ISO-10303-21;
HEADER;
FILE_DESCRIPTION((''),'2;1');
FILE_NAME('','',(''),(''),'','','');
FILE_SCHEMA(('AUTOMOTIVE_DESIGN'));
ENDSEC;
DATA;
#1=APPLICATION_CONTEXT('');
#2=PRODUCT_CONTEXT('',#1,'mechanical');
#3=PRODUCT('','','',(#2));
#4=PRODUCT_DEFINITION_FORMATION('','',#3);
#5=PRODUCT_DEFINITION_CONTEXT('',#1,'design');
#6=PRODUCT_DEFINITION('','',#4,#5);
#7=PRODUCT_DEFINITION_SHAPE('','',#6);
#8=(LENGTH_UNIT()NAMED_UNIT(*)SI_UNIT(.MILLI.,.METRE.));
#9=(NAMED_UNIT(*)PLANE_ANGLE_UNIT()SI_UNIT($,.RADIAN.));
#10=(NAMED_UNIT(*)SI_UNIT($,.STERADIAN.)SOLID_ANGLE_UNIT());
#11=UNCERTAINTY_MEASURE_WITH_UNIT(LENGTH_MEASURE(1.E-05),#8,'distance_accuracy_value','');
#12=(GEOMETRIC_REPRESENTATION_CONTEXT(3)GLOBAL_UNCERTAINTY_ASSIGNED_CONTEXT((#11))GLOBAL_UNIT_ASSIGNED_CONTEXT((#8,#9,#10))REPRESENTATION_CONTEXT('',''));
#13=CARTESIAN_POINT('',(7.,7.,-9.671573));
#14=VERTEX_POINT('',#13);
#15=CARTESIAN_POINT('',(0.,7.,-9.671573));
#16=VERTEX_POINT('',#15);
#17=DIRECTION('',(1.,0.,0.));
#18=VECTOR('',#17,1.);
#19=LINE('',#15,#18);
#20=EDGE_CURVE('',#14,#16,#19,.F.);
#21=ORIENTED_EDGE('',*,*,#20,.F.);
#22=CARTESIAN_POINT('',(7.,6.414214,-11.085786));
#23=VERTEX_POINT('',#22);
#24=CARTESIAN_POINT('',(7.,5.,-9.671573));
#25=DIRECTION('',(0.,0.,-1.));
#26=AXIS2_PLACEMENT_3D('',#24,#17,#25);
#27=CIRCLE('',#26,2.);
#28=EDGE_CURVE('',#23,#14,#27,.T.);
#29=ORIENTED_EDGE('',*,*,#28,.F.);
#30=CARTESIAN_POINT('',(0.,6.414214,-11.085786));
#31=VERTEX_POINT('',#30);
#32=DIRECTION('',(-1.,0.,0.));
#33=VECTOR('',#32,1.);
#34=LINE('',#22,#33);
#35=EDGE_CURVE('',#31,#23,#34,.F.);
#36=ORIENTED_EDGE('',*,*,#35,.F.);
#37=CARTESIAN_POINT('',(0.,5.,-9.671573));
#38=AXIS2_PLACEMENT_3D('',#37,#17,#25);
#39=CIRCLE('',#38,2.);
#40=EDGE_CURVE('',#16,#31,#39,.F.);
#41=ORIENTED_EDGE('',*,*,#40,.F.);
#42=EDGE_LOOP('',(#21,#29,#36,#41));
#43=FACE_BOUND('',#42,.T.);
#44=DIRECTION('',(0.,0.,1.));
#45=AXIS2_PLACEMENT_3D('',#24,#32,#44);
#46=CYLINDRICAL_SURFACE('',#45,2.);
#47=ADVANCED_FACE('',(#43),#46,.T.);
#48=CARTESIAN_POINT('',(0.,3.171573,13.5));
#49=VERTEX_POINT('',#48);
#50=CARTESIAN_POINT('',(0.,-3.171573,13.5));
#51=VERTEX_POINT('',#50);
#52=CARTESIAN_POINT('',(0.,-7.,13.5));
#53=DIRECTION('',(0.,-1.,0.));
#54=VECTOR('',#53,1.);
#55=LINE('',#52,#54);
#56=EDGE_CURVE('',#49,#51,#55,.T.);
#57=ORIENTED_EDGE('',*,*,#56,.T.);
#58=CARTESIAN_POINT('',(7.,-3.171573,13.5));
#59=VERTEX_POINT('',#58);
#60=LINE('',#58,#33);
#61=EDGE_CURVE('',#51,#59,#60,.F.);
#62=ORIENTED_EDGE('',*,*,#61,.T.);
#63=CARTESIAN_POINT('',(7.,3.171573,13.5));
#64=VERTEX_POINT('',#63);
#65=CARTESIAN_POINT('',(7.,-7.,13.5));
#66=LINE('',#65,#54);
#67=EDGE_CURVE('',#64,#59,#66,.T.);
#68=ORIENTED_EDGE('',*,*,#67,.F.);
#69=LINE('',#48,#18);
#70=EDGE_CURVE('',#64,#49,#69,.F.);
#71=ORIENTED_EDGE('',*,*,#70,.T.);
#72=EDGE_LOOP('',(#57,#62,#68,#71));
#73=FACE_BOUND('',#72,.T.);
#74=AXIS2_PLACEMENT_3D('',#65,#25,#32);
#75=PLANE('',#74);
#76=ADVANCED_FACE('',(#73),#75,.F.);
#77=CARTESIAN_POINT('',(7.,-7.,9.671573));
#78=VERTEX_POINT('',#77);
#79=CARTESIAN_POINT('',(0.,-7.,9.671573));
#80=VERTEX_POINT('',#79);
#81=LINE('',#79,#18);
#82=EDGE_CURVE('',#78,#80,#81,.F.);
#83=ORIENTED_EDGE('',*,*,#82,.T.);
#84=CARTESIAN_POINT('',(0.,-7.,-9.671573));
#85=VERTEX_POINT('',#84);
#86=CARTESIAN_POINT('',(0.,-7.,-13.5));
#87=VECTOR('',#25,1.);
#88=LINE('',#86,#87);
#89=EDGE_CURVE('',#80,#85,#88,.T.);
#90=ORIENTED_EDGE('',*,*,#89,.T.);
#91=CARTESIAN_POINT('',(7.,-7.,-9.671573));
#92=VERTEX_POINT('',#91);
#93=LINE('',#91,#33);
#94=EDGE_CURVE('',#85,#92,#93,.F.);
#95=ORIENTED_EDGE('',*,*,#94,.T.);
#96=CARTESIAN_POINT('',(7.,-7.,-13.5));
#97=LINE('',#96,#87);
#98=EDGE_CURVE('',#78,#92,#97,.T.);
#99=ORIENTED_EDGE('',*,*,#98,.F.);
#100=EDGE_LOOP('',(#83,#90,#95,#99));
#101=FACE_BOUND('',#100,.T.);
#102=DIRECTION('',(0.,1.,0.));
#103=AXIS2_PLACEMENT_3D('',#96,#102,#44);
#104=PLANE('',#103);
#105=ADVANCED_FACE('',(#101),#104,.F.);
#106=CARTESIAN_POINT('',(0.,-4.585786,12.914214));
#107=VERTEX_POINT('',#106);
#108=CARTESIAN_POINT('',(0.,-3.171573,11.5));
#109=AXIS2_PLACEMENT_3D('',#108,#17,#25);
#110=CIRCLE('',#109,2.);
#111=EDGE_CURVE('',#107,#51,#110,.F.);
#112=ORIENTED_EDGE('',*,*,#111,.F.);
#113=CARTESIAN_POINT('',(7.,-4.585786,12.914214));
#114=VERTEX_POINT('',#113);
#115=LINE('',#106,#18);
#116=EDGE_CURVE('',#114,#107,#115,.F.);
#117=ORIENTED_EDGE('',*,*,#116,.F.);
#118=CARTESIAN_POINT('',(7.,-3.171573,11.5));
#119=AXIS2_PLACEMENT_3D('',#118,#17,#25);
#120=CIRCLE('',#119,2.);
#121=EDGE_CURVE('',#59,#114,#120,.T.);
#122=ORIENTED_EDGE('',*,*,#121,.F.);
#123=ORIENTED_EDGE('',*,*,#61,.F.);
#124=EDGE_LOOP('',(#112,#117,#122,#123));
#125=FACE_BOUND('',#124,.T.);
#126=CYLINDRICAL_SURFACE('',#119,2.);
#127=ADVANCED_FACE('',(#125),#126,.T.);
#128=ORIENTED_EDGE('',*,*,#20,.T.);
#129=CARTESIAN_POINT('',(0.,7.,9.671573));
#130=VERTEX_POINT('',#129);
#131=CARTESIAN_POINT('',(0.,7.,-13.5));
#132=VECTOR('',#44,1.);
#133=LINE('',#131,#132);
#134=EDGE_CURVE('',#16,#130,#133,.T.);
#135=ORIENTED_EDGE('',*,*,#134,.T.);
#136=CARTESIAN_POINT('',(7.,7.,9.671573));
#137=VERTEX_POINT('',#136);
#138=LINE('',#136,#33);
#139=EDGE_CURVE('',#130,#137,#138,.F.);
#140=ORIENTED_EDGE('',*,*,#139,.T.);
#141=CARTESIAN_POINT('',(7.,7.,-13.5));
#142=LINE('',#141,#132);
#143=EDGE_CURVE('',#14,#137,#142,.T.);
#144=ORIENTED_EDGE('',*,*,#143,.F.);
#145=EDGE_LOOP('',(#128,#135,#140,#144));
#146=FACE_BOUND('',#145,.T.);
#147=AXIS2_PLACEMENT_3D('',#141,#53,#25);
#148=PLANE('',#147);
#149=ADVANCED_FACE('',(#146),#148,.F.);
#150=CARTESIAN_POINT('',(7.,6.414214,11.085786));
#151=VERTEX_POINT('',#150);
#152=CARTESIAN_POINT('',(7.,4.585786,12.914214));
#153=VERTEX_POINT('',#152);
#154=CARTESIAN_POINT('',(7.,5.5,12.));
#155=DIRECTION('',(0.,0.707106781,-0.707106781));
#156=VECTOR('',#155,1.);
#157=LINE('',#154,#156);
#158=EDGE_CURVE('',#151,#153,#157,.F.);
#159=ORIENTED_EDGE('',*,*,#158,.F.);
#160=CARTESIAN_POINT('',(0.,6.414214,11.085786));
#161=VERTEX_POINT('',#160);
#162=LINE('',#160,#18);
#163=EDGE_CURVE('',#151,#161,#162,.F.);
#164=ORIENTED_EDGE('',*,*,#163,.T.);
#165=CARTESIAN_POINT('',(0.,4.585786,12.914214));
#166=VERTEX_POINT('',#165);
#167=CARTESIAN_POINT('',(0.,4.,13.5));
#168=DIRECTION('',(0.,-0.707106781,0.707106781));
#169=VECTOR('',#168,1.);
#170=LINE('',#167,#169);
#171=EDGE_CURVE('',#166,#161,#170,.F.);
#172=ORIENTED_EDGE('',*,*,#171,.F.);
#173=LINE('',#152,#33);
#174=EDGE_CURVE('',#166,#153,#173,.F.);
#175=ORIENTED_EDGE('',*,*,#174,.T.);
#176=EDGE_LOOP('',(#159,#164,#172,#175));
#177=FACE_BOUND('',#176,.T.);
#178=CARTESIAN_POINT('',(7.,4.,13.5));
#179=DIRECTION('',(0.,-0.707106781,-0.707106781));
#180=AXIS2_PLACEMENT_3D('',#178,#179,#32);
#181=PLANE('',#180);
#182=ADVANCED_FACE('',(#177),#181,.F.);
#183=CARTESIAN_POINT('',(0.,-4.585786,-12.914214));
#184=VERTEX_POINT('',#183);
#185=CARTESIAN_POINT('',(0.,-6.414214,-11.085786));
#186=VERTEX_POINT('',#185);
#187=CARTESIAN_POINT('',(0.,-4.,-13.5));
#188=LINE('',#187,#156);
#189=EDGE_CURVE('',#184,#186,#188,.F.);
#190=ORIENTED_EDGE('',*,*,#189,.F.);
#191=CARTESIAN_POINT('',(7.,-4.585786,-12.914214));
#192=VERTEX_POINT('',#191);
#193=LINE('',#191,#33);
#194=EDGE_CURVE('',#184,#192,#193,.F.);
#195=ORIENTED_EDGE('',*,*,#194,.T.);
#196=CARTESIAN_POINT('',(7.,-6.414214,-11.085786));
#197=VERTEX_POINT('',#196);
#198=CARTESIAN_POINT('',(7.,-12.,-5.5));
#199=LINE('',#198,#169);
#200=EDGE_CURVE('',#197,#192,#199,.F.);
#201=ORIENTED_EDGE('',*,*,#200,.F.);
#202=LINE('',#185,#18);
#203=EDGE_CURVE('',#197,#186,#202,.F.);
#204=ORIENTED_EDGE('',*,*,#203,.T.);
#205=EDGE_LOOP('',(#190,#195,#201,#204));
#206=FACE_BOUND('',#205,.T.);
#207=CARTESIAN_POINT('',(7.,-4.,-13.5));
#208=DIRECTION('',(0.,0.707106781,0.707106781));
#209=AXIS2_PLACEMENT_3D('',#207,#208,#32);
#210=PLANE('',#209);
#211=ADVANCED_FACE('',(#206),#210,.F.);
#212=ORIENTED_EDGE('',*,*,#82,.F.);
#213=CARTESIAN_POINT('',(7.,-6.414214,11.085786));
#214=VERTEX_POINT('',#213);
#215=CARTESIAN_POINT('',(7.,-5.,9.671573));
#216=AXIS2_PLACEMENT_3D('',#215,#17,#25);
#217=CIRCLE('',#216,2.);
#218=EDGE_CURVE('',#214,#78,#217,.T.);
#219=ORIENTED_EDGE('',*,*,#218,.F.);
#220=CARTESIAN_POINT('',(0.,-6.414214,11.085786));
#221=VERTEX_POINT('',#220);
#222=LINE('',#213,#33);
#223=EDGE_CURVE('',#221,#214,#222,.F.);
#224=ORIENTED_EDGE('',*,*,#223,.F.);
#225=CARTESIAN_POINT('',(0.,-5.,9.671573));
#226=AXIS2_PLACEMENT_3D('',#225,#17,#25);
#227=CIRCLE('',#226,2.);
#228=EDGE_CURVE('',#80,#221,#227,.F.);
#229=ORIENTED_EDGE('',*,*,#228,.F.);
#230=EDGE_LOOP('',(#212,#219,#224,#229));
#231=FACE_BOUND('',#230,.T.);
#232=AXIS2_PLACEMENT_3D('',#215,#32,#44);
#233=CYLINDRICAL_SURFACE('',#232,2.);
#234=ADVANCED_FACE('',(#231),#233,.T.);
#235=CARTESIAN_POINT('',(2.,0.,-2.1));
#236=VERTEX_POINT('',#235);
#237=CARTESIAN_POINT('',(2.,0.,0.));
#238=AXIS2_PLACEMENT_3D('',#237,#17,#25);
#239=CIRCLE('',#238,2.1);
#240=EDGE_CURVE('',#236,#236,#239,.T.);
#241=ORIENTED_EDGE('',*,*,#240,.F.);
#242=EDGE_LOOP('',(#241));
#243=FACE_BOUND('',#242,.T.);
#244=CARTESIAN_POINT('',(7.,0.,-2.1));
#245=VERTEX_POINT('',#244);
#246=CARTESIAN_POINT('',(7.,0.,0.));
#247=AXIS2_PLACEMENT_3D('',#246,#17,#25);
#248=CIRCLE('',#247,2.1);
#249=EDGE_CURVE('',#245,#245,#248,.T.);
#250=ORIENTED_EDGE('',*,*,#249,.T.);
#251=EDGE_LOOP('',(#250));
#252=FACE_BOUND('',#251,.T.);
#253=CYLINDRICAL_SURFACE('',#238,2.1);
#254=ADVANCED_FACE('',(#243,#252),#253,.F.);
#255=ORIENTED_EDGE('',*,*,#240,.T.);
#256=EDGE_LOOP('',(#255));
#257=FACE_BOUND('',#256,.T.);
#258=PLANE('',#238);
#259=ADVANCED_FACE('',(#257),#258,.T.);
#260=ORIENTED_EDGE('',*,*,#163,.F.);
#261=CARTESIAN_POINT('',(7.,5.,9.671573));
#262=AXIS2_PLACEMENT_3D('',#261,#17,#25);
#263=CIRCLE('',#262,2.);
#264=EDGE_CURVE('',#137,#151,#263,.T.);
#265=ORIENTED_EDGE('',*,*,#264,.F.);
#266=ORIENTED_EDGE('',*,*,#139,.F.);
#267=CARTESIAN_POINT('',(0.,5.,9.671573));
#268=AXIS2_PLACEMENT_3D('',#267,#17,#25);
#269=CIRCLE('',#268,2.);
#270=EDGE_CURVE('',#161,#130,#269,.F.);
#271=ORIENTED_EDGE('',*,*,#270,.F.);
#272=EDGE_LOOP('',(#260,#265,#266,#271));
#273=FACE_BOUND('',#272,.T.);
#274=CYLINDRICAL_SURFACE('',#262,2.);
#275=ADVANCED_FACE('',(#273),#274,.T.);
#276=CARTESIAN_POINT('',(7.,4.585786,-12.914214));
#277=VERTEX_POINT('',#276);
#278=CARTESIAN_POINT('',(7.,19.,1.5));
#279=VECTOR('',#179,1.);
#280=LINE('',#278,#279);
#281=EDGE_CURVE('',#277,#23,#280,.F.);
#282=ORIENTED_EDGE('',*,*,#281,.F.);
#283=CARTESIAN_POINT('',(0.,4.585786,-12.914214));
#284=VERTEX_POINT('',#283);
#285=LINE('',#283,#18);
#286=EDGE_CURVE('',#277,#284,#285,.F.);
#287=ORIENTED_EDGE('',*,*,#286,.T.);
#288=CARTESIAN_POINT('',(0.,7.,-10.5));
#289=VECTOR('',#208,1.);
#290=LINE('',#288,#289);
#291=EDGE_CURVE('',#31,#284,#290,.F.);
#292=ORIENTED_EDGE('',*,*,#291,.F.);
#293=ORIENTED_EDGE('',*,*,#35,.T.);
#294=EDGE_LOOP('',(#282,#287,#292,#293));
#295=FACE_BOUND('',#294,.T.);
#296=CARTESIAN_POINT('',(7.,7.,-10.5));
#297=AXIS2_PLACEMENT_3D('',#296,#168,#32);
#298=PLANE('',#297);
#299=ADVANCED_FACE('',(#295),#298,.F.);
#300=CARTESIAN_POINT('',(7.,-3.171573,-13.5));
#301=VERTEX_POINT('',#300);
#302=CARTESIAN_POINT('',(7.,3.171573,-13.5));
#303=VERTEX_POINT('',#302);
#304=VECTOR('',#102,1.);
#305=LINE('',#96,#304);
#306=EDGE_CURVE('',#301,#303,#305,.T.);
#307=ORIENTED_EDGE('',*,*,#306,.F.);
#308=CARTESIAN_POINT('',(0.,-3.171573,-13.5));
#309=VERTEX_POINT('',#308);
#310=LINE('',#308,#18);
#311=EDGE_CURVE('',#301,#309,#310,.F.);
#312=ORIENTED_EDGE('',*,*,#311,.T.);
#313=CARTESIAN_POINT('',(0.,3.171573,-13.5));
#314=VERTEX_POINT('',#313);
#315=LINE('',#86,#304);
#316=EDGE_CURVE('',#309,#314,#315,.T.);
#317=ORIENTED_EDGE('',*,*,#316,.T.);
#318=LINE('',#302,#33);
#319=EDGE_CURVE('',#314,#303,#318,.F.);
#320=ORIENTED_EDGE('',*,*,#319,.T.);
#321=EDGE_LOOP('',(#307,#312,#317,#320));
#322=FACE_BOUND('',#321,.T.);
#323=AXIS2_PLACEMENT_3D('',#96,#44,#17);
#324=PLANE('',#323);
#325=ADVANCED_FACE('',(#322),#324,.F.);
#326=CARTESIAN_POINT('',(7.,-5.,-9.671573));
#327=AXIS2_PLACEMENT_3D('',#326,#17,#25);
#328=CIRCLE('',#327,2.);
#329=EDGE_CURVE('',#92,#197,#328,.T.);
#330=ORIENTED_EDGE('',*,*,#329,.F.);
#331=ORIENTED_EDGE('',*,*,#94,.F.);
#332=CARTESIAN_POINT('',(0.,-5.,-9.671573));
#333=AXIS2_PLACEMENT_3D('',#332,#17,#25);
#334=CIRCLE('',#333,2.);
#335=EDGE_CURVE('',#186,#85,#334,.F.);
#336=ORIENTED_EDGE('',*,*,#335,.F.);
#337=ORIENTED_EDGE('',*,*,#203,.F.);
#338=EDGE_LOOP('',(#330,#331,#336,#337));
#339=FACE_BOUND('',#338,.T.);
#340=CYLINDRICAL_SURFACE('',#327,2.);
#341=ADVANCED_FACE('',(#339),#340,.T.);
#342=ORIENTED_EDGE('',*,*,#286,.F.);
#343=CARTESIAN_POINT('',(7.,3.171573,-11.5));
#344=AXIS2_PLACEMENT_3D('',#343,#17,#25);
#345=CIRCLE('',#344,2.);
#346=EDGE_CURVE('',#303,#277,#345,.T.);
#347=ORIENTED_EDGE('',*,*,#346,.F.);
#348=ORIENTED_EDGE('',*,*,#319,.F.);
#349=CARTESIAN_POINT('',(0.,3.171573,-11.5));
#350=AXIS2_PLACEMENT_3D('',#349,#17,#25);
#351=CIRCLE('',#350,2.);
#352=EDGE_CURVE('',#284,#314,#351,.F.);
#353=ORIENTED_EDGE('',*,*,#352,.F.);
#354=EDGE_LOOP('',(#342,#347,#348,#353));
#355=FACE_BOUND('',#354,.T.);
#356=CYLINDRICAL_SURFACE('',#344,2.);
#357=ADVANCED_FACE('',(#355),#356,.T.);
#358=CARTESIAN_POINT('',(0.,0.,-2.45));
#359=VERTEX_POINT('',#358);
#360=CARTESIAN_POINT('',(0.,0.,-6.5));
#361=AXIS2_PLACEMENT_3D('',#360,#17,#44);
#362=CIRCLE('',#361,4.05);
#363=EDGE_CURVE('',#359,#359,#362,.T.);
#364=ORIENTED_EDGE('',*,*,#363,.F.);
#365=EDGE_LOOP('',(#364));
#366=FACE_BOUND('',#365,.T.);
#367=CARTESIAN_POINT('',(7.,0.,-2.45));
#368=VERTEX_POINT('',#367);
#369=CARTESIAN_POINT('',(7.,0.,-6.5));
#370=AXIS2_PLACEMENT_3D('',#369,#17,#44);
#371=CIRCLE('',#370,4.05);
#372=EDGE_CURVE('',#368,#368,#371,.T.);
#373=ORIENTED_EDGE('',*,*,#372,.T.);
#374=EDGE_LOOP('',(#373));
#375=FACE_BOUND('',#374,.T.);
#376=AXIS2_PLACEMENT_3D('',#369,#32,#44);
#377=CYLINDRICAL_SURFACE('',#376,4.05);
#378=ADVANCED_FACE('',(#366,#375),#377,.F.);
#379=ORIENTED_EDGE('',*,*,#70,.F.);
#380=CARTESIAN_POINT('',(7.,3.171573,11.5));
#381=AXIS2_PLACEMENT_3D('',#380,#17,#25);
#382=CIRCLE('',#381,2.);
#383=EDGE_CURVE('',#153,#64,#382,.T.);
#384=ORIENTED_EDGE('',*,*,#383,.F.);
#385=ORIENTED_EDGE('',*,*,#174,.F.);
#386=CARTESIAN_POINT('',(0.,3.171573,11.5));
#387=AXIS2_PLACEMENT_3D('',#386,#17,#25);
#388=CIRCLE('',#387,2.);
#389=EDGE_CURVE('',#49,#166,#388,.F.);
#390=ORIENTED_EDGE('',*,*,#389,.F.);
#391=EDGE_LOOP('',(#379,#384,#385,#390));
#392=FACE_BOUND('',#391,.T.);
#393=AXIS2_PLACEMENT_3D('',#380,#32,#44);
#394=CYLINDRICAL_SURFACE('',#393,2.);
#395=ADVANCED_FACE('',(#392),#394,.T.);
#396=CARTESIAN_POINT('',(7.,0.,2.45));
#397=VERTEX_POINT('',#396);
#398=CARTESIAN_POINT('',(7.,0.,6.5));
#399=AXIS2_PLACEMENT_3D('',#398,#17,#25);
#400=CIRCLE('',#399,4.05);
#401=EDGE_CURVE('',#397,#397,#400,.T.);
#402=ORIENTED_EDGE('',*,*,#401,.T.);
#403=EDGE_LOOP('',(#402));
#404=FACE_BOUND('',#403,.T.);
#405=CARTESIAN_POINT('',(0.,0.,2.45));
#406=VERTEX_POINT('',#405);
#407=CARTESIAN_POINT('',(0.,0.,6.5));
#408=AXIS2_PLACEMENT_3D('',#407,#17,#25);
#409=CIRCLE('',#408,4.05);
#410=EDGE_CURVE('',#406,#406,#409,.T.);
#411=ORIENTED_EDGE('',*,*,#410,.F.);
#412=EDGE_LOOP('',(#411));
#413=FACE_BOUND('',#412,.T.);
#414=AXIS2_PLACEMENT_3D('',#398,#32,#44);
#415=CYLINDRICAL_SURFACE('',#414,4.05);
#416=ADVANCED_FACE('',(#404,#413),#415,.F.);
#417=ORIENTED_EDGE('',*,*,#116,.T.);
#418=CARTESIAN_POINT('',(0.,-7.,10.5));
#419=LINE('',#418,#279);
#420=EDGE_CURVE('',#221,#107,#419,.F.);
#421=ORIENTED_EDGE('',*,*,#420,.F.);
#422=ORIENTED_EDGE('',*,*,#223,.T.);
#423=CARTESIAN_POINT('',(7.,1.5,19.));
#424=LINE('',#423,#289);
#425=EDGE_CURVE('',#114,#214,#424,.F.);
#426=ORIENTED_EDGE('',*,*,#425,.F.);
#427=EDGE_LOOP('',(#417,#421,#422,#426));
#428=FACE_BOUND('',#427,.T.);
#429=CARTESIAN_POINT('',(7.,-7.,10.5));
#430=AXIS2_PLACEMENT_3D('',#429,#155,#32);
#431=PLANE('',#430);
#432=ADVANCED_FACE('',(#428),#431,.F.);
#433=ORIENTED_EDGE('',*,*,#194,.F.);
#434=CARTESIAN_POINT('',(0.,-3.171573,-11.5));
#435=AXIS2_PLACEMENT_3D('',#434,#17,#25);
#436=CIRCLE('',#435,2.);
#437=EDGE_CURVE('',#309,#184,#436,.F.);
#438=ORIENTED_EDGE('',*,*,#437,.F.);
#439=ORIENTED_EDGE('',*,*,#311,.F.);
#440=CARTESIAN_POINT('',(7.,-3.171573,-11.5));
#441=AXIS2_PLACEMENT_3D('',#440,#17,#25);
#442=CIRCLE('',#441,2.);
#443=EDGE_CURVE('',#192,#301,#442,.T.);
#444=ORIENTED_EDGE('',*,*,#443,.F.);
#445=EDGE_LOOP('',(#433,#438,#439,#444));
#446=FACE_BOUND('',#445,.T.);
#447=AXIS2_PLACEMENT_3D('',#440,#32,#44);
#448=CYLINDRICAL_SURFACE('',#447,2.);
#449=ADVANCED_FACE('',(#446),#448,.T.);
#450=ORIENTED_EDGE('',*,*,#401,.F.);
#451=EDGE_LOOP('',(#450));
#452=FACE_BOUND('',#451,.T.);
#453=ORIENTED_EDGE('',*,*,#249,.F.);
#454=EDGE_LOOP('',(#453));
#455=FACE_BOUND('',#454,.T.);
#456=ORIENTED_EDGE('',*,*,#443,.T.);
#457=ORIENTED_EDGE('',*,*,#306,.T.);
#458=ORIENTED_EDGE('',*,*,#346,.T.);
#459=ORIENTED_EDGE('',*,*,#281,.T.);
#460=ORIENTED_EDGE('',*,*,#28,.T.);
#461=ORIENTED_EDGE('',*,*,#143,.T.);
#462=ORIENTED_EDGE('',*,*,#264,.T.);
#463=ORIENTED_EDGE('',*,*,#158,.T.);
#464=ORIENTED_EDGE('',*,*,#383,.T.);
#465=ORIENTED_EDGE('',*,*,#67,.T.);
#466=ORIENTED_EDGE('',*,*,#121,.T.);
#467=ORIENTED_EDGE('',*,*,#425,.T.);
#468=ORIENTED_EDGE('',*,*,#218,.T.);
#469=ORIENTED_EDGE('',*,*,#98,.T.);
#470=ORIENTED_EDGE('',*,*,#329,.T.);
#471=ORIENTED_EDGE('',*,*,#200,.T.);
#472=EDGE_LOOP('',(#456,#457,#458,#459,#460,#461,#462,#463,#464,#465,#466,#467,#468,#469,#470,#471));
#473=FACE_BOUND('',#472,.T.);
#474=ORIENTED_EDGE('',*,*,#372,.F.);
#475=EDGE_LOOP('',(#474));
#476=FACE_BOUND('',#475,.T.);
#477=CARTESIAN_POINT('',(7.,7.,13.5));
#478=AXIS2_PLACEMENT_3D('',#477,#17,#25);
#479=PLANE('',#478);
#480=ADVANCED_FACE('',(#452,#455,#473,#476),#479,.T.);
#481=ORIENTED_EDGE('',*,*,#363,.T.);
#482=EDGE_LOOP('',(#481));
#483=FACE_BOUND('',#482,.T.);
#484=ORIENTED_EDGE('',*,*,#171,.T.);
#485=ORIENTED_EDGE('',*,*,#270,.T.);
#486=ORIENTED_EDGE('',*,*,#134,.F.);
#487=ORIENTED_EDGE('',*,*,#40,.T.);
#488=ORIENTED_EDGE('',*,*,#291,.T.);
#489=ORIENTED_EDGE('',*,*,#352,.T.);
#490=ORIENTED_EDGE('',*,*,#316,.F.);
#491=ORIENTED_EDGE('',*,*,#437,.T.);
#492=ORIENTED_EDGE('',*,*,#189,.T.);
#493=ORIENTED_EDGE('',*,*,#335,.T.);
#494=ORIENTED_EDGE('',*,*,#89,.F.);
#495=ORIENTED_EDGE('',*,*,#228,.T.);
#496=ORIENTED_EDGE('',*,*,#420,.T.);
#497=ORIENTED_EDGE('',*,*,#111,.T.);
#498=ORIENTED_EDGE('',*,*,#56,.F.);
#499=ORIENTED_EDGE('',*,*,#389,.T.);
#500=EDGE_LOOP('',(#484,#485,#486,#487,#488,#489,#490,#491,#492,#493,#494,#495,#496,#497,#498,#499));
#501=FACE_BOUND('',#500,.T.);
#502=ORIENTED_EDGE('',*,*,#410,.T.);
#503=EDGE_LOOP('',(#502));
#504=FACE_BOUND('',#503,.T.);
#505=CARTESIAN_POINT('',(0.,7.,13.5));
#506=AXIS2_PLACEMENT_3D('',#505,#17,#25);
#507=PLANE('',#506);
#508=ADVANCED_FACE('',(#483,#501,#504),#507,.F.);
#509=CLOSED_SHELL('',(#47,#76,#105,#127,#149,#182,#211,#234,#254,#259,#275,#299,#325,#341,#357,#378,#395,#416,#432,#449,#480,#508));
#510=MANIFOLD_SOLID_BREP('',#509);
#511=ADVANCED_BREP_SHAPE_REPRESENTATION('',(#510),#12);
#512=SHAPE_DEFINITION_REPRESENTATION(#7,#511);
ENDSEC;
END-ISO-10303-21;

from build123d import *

# Parameters (mm, degrees)
SKETCH1_W           = 27
SKETCH1_H           = 14
SKETCH1_R           = 4.05
BOSS_EXTRUDE1_DEPTH = 7
SKETCH3_R           = 2.1
CUT_EXTRUDE4_DEPTH  = 5
CHANFREIN1_SIZE     = 3
CONG_1_R            = 2


with BuildPart() as part:
    # Sketch1 → Boss-Extrude1 (new body)
    with BuildSketch(Plane(origin=(0, 0, 0), x_dir=(0, 0, -1), z_dir=(1, 0, 0))):
        Rectangle(SKETCH1_W, SKETCH1_H)
        with Locations((-6.5, 0)):
            Circle(SKETCH1_R, mode=Mode.SUBTRACT)
        with Locations((6.5, 0)):
            Circle(SKETCH1_R, mode=Mode.SUBTRACT)
    extrude(amount=BOSS_EXTRUDE1_DEPTH)

    # Sketch3 → Cut-Extrude4 (cut)
    with BuildSketch(Plane(origin=(7, 0, 0), x_dir=(0, 0, -1), z_dir=(1, 0, 0))):
        Circle(SKETCH3_R)
    extrude(amount=-CUT_EXTRUDE4_DEPTH, mode=Mode.SUBTRACT)

    # Chanfrein1
    chanfrein1_edges = [part.edges().sort_by_distance(p)[0] for p in [
        (3.5, 7, 13.5),
        (3.5, 7, -13.5),
        (3.5, -7, -13.5),
        (3.5, -7, 13.5),
    ]]
    chamfer(chanfrein1_edges, length=CHANFREIN1_SIZE)

    # Congé1
    cong_1_edges = [part.edges().sort_by_distance(p)[0] for p in [
        (3.5, -4, 13.5),
        (3.5, 4, 13.5),
        (3.5, 7, -10.5),
        (3.5, 7, 10.5),
        (3.5, -7, -10.5),
        (3.5, -7, 10.5),
        (3.5, 4, -13.5),
        (3.5, -4, -13.5),
    ]]
    fillet(cong_1_edges, radius=CONG_1_R)


solid = part.part
